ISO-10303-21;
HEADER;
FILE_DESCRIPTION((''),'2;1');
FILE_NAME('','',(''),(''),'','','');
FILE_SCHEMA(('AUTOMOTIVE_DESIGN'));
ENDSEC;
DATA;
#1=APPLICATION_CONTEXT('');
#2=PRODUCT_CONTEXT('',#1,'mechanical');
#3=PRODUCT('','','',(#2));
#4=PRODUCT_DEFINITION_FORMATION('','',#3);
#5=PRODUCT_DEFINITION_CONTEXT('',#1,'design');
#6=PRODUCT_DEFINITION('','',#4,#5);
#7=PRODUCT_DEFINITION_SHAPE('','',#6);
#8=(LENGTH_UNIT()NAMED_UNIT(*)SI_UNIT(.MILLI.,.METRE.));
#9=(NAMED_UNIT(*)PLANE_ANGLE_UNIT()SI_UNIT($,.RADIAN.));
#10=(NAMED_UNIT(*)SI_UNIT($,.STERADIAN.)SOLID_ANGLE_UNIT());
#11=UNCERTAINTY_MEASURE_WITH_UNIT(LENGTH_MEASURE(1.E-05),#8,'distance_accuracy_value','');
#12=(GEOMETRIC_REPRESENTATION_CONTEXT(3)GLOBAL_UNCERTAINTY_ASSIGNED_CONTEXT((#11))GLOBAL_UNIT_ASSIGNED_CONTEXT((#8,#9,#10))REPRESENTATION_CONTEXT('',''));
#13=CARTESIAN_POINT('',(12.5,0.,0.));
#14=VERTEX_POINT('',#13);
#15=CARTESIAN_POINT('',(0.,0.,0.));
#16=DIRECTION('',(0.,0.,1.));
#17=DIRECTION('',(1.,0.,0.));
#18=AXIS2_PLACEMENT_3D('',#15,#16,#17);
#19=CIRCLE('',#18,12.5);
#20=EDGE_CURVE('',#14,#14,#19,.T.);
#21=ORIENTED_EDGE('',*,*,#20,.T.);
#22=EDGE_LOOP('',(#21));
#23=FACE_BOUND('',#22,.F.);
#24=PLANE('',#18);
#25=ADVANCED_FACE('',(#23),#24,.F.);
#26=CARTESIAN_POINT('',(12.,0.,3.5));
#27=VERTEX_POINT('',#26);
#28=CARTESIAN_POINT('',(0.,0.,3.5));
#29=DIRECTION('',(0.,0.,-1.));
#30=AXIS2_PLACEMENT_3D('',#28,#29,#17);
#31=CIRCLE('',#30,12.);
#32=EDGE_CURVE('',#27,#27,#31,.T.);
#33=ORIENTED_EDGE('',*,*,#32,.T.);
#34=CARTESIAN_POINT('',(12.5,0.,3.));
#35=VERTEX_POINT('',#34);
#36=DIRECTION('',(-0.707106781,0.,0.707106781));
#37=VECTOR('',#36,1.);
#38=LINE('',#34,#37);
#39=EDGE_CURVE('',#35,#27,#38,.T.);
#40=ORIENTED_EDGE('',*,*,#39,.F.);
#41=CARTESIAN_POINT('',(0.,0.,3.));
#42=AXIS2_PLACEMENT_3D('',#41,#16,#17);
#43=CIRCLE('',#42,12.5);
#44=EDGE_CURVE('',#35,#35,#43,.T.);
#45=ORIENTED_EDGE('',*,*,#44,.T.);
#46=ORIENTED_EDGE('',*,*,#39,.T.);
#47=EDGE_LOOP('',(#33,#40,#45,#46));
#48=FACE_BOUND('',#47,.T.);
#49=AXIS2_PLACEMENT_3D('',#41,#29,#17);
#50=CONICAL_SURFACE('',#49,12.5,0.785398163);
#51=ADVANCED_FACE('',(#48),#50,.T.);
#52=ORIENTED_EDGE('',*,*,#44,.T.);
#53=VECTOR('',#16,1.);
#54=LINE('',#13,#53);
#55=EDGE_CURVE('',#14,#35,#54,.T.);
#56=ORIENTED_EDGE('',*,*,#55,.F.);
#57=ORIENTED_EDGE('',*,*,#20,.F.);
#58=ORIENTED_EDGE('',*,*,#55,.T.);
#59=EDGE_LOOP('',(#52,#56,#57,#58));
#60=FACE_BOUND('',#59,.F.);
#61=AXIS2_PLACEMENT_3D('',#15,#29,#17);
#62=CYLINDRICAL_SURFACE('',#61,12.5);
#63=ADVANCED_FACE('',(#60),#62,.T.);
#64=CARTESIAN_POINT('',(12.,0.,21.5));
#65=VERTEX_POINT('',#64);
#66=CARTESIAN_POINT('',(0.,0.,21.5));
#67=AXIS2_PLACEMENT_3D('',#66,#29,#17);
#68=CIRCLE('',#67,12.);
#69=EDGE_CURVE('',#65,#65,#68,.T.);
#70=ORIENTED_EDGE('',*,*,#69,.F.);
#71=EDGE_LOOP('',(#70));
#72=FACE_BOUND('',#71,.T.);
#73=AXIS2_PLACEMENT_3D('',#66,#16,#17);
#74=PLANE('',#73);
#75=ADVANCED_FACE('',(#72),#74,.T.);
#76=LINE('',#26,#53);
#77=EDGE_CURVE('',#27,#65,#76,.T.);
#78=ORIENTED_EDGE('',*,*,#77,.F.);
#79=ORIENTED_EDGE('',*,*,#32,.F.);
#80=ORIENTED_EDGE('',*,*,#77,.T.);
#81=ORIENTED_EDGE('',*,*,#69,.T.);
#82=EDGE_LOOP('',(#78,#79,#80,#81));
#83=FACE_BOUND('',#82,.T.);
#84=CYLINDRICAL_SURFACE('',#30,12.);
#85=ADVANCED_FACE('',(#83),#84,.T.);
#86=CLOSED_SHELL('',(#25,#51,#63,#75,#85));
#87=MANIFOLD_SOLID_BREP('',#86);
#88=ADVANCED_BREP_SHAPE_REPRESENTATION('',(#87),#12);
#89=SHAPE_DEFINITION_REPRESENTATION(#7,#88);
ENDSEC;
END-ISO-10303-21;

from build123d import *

# Parameters (mm, degrees)
F0_R      = 12.5
F1_DEPTH  = 3
F1_FACE_R = 12.5
F2_DEPTH  = 0.5
F2_TAPER  = 45
F3_DEPTH  = 18


with BuildPart() as f1:
    # F0 (on Top) → F1 (new body)
    with BuildSketch(Plane.XY):
        Circle(F0_R)
    extrude(amount=F1_DEPTH)

    # F1_face (on face) → F2 (join)
    with BuildSketch(Plane.XY.offset(3)):
        Circle(F1_FACE_R)
    extrude(amount=F2_DEPTH, taper=F2_TAPER)

    # F3 (add): a face of the model
    f3_faces = [f1.faces().sort_by_distance(p)[0] for p in [
        (0, 0, 3.5),
    ]]
    extrude(f3_faces, amount=F3_DEPTH)


solid = f1.part
